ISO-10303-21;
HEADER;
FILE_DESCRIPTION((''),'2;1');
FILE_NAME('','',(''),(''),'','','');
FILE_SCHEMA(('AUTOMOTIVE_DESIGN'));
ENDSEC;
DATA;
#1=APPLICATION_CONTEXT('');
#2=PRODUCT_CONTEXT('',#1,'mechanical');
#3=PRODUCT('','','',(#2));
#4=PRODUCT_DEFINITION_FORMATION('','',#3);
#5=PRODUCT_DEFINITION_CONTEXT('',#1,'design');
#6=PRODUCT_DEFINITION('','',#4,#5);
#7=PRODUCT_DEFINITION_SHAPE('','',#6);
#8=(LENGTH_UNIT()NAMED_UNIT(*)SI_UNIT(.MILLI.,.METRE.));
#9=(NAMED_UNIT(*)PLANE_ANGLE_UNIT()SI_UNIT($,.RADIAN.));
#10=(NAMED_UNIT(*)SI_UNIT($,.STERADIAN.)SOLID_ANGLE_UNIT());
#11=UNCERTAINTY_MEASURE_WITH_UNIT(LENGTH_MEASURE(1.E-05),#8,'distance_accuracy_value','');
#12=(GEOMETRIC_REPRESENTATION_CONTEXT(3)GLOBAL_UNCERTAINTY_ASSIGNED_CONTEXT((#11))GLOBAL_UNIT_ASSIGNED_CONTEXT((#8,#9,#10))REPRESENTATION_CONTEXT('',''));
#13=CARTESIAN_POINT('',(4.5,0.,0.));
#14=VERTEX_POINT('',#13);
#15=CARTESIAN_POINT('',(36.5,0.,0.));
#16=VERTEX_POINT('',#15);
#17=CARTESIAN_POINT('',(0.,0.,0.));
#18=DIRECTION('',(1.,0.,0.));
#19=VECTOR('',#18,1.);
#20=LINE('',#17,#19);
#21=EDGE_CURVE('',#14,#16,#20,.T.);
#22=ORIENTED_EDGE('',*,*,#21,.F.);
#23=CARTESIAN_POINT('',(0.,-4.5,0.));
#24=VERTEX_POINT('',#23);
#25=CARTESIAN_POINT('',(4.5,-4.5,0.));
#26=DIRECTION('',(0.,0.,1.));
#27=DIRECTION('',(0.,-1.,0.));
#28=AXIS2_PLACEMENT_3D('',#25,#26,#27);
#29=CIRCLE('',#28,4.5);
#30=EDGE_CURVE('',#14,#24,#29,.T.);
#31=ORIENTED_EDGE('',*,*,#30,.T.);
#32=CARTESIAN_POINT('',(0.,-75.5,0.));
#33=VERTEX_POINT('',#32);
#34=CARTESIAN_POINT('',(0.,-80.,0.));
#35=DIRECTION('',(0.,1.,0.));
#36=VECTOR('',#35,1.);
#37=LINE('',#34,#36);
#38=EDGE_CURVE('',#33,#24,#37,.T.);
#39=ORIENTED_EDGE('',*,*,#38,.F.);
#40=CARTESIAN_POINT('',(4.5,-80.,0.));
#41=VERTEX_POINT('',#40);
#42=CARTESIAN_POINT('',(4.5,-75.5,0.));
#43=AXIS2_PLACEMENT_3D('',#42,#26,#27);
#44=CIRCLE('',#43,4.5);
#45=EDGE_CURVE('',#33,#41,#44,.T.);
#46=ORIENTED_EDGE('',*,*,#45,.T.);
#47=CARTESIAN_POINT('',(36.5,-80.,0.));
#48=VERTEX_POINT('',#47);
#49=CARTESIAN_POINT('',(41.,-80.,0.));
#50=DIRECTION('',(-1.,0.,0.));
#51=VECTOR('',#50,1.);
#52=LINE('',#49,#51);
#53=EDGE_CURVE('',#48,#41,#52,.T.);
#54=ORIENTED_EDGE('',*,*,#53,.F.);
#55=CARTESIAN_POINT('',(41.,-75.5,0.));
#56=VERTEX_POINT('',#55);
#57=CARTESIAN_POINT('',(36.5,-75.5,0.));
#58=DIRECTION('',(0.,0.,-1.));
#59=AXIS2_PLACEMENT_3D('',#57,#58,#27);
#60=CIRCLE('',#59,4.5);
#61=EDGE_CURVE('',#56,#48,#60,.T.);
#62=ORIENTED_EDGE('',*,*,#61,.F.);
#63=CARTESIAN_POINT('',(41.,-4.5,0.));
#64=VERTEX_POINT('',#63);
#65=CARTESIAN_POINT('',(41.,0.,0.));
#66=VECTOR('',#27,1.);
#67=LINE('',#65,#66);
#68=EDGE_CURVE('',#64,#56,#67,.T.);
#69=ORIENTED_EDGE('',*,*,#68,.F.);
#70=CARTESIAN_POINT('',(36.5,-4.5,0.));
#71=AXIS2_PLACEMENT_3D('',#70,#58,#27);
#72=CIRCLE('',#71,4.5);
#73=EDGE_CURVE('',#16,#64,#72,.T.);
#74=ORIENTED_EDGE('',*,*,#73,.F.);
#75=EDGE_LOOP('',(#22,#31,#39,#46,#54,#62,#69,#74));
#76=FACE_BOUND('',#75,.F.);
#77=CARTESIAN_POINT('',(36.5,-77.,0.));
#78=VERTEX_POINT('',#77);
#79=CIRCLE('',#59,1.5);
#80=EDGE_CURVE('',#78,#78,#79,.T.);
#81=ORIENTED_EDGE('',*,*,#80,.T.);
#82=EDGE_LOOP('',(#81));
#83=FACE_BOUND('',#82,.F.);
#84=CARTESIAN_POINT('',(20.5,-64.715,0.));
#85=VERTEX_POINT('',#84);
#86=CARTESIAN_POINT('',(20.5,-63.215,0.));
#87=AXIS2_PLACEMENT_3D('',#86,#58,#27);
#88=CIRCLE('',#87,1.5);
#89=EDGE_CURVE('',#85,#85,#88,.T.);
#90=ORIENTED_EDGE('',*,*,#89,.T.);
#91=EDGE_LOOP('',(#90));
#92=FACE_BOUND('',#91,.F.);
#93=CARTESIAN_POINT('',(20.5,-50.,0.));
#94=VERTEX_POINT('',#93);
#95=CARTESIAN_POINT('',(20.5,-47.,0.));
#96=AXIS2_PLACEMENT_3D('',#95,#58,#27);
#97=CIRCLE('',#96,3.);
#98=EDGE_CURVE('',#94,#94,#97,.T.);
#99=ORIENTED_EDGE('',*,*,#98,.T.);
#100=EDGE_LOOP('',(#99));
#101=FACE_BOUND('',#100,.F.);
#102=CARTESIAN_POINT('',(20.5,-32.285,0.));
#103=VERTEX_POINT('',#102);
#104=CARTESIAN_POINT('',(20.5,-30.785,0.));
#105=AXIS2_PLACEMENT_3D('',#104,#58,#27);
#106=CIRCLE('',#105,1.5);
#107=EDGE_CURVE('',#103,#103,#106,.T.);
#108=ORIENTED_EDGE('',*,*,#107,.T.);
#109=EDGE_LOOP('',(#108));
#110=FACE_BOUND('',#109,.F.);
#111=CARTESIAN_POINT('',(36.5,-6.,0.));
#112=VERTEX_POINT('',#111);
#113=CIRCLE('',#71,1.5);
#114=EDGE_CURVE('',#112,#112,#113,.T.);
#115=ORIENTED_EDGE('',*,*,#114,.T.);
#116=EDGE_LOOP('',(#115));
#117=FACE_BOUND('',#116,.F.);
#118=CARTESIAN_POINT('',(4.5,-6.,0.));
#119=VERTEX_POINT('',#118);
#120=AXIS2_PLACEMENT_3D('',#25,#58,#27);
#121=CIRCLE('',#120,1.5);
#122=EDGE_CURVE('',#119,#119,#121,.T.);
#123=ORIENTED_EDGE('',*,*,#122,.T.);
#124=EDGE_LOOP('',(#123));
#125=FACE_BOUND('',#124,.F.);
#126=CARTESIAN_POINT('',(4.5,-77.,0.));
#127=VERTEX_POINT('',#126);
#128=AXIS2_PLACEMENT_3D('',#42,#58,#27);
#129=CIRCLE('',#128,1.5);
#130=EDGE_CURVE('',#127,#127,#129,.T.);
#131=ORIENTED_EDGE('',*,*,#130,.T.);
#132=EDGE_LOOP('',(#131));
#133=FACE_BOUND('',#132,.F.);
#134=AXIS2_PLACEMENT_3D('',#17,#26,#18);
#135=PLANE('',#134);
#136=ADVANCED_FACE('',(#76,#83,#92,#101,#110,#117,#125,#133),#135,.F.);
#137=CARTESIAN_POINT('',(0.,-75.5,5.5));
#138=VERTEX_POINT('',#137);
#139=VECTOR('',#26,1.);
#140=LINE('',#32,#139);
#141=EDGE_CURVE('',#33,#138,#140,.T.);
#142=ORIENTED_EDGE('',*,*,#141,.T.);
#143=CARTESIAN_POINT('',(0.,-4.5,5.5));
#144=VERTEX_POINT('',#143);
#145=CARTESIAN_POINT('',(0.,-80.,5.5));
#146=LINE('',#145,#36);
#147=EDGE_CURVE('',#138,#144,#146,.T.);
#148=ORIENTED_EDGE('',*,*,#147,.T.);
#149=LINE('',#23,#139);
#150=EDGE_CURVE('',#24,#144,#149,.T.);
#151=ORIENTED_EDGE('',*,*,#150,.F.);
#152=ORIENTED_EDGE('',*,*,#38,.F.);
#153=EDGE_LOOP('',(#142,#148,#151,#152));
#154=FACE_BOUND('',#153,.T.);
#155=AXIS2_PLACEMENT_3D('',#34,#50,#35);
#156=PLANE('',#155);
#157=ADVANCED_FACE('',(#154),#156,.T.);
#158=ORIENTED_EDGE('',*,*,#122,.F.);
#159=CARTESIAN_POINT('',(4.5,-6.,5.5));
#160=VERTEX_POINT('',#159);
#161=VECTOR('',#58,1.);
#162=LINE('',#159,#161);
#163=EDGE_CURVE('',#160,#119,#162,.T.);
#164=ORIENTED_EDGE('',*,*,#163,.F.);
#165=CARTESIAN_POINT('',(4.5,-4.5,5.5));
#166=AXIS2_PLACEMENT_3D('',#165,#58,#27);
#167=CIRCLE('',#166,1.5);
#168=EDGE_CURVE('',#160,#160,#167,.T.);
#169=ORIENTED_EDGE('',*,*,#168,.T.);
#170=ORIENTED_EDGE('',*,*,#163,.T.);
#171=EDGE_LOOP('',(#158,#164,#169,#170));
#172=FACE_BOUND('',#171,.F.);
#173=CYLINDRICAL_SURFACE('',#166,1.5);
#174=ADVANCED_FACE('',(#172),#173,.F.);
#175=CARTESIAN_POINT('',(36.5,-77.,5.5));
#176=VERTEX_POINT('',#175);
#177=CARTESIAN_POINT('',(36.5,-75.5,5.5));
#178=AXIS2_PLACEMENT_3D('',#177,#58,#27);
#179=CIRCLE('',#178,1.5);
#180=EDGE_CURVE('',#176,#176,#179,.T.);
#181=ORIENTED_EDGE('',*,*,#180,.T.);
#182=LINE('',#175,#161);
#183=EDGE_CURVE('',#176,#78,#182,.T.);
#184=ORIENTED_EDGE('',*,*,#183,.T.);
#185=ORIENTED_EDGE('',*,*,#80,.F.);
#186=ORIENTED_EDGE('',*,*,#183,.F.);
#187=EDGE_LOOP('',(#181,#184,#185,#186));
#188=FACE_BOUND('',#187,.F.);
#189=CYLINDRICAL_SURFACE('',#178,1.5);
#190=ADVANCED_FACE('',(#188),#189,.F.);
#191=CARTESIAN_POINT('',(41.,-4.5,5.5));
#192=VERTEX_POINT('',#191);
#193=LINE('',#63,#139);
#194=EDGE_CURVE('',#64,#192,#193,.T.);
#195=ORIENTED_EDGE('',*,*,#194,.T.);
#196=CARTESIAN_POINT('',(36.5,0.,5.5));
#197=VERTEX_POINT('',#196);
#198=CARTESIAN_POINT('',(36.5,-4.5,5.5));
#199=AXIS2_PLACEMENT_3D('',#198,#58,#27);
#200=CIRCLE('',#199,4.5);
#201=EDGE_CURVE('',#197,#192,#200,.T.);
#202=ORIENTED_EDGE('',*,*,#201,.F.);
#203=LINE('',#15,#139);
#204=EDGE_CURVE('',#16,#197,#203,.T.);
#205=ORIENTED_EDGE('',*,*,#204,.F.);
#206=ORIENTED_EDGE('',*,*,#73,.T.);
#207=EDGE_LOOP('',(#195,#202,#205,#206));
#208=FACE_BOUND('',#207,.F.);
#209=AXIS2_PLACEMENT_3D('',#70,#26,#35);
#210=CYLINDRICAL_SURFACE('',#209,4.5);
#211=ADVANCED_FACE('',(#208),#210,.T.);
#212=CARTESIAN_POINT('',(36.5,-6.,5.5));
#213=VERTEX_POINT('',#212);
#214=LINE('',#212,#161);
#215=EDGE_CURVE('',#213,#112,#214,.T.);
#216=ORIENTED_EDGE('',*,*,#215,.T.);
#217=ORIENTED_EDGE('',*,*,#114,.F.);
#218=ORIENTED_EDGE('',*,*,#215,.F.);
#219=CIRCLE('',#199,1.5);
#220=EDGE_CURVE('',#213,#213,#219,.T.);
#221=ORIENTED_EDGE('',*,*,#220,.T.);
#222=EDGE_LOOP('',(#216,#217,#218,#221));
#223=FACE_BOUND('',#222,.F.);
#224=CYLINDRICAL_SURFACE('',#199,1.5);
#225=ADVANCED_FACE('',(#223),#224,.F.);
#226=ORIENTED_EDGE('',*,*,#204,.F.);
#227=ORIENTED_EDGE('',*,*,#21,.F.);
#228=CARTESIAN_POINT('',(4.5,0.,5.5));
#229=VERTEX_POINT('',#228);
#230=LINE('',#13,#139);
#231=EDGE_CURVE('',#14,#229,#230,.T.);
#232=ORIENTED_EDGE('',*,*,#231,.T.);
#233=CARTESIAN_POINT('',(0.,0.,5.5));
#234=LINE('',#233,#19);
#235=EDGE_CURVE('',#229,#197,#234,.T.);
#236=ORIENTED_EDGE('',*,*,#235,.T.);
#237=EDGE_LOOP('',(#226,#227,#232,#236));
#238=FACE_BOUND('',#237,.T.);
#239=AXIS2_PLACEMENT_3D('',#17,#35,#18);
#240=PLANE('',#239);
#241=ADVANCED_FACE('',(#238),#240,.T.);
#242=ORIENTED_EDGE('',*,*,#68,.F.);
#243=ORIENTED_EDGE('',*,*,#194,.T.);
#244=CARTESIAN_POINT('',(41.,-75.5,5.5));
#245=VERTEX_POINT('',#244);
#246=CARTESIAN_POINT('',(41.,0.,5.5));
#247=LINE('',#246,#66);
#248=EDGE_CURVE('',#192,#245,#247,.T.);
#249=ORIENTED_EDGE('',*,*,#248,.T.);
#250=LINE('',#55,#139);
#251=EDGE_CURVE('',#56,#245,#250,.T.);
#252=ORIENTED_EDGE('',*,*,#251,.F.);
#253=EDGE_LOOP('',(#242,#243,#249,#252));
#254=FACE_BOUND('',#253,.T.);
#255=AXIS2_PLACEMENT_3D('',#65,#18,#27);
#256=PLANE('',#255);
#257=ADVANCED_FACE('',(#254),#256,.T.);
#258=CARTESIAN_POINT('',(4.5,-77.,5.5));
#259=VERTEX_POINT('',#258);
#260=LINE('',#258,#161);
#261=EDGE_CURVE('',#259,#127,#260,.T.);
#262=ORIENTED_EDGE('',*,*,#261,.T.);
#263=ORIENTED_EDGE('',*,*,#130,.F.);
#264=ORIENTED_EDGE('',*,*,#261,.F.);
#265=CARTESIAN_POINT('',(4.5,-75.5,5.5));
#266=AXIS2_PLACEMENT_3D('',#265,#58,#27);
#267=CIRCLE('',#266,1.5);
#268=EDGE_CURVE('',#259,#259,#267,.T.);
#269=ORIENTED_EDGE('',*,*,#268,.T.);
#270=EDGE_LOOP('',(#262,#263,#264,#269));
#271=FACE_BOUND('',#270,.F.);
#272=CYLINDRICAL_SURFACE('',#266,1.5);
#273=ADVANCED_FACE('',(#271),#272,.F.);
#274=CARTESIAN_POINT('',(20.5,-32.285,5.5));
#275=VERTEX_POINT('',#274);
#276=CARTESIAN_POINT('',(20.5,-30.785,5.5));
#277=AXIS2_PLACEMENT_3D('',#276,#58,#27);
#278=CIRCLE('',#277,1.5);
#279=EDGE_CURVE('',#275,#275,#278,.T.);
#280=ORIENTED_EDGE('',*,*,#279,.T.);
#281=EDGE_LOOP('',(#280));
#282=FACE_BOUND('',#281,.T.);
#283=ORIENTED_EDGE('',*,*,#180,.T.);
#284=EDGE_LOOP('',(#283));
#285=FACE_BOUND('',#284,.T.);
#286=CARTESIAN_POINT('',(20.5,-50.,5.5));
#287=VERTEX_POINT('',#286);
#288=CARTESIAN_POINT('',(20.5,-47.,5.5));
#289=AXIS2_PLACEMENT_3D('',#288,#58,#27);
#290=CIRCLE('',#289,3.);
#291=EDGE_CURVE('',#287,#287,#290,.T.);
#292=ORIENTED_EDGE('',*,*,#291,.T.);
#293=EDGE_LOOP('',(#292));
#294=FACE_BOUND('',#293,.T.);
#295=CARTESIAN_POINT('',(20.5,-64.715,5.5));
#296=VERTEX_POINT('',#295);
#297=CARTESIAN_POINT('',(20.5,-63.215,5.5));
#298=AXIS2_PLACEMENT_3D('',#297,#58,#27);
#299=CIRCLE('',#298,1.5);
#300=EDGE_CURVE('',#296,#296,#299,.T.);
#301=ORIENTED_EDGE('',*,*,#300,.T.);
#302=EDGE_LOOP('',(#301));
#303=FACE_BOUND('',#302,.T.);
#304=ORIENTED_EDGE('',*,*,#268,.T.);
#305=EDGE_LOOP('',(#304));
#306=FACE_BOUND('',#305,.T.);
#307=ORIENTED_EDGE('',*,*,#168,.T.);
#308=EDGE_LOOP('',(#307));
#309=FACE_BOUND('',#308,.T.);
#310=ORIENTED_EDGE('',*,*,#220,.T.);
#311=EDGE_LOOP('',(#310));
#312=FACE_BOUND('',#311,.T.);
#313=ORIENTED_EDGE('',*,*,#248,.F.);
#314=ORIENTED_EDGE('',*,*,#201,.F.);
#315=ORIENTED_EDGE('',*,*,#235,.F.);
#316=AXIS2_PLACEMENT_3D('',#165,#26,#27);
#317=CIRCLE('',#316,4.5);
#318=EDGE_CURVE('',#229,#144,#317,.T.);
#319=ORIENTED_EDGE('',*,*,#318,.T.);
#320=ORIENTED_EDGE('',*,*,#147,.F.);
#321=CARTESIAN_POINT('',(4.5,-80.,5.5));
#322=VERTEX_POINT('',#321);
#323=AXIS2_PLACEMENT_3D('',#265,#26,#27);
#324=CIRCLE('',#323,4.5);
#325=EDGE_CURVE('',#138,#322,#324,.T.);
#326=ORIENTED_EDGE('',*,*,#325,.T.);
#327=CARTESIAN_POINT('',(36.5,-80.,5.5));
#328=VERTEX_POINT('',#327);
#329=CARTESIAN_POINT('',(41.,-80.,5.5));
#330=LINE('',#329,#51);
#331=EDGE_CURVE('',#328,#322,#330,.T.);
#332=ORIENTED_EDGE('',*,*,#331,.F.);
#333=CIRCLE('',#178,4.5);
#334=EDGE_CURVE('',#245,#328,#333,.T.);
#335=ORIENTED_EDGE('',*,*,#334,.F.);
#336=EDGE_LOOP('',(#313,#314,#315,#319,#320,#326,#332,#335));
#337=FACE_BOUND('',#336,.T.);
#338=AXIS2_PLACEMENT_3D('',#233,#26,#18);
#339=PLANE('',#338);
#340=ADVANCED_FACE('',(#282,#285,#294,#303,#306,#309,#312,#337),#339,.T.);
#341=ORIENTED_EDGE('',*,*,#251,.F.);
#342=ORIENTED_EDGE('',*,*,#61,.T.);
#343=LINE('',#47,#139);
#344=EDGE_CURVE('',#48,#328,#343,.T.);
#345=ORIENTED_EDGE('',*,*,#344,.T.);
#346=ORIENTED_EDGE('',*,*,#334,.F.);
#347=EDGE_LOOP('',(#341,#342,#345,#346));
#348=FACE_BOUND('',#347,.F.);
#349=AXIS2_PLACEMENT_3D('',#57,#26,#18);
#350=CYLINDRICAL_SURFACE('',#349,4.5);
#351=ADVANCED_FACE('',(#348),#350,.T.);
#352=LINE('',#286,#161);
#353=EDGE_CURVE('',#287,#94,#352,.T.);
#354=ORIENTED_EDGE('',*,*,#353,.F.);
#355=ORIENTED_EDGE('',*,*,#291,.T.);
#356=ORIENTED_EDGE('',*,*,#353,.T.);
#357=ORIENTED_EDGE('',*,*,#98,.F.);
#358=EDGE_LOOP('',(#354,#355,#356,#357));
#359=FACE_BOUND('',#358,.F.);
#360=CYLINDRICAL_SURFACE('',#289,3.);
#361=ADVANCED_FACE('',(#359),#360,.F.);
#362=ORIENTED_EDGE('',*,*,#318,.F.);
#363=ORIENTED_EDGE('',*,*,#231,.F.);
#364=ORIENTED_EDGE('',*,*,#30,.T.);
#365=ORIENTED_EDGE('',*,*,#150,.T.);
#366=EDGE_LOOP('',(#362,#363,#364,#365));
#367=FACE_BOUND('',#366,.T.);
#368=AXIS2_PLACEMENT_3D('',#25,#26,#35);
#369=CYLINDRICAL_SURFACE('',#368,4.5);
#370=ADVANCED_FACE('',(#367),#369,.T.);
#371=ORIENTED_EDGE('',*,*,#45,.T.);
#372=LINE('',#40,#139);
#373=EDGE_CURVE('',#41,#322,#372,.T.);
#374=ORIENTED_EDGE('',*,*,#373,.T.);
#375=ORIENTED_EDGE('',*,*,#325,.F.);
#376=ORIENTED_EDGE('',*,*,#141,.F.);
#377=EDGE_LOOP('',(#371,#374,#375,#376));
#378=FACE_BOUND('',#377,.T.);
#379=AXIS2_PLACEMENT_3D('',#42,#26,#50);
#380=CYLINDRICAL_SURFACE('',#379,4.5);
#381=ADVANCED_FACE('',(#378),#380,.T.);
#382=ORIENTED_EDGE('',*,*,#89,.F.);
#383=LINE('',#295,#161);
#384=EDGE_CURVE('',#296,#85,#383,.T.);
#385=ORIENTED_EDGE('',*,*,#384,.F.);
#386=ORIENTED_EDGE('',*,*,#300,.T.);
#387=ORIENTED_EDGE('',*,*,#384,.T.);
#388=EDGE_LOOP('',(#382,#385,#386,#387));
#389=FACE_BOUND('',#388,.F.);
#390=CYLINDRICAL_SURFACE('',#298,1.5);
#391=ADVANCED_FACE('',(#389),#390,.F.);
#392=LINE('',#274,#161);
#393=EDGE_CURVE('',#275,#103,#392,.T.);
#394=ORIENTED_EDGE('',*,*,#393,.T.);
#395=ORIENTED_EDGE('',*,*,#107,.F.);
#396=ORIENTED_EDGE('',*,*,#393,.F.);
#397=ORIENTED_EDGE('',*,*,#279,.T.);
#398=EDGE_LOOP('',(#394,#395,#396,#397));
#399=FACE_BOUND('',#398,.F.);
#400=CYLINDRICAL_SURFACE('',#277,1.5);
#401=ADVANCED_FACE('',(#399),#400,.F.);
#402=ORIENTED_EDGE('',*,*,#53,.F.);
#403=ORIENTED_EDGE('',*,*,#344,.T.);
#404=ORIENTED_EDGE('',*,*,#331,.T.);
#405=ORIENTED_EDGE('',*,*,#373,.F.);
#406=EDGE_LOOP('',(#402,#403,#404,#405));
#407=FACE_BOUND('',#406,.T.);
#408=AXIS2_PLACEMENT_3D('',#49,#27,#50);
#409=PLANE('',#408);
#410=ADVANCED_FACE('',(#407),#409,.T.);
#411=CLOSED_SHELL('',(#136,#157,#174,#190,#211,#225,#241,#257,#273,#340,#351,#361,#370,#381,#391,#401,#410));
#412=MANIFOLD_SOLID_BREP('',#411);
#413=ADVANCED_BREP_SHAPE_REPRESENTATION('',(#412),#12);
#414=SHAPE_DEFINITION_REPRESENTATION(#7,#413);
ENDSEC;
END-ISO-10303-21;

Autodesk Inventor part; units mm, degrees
ref_plane "YZ Plane" through (0, 0, 0) normal (1, 0, 0) x (0, 1, 0)
ref_plane "XZ Plane" through (0, 0, 0) normal (0, 1, 0) x (-1, 0, 0)
ref_plane "XY Plane" through (0, 0, 0) normal (0, 0, 1) x (1, 0, 0)
sketch "スケッチ1" plane through (0, 0, 0) normal (0, 0, 1) x (1, 0, 0)
  line L0 (0, 0) -> (41, 0)
  line L1 (41, 0) -> (41, -80)
  line L2 (41, -80) -> (0, -80)
  line L3 (0, -80) -> (0, 0)
  dimension "d0" = 41
  dimension "d13" = 80
extrude "押し出し1" add sketch "スケッチ1" along normal blind 5.5
sketch "スケッチ2" plane through (0, 0, 5.5) normal (0, 0, 1) x (1, 0, 0)
  line L0 (4.5, -75.5) -> (36.5, -75.5)
  line L1 (36.5, -75.5) -> (36.5, -4.5)
  line L2 (36.5, -4.5) -> (4.5, -4.5)
  line L3 (4.5, -4.5) -> (4.5, -75.5)
  line L4 (0, -80) -> (41, -80) projected
  line L5 (0, 0) -> (0, -80) projected
  dimension "d3" = 4.5
  dimension "d4" = 32
  dimension "d5" = 4.5
  dimension "d14" = 71
hole "穴1" at (4.5, -4.5, 5.5) at (36.5, -4.5, 5.5) at (36.5, -75.5, 5.5) at (4.5, -75.5, 5.5) direction (0, 0, -1) diameter 3 end through all
fillet "フィレット1" radius 4.5 4 edges at (0, 0, 2.75) (41, 0, 2.75) (0, -80, 2.75) (41, -80, 2.75)
sketch "スケッチ3" plane through (0, 0, 5.5) normal (0, 0, 1) x (1, 0, 0)
  line L0 (36.5, 0) -> (4.5, 0) projected
  line L1 (41, -75.5) -> (41, -4.5) projected
  line L2 (0, -4.5) -> (0, -75.5) projected
  point P0 (0, 0)
  point P1 (20.5, -47)
  dimension "d16" = 47
  dimension "d17" = 41
  dimension "d18" = 20.5
hole "穴2" at (20.5, -47, 5.5) direction (0, 0, -1) diameter 6 end through all
sketch "スケッチ4" plane through (0, 0, 5.5) normal (0, 0, 1) x (1, 0, 0)
  circle A0 centre (20.5, -47) radius 3 projected
  point P0 (0, 0)
  point P1 (20.5, -30.785)
  point P2 (20.5, -63.215)
  dimension "d26" = 32.43
  dimension "d27" = 16.215
  dimension "d28" = 0
  dimension "d29" = 0
hole "穴3" at (20.5, -30.785, 5.5) at (20.5, -63.215, 5.5) direction (0, 0, -1) diameter 3 end through all
equation "\"d18\" = 0.5 * d17"
equation "\"d27\" = 0.5 * d26"
properties part number "上下直動t5.5_エンコーダ軸受け_CPY" material "木材 (カエデ材)"
